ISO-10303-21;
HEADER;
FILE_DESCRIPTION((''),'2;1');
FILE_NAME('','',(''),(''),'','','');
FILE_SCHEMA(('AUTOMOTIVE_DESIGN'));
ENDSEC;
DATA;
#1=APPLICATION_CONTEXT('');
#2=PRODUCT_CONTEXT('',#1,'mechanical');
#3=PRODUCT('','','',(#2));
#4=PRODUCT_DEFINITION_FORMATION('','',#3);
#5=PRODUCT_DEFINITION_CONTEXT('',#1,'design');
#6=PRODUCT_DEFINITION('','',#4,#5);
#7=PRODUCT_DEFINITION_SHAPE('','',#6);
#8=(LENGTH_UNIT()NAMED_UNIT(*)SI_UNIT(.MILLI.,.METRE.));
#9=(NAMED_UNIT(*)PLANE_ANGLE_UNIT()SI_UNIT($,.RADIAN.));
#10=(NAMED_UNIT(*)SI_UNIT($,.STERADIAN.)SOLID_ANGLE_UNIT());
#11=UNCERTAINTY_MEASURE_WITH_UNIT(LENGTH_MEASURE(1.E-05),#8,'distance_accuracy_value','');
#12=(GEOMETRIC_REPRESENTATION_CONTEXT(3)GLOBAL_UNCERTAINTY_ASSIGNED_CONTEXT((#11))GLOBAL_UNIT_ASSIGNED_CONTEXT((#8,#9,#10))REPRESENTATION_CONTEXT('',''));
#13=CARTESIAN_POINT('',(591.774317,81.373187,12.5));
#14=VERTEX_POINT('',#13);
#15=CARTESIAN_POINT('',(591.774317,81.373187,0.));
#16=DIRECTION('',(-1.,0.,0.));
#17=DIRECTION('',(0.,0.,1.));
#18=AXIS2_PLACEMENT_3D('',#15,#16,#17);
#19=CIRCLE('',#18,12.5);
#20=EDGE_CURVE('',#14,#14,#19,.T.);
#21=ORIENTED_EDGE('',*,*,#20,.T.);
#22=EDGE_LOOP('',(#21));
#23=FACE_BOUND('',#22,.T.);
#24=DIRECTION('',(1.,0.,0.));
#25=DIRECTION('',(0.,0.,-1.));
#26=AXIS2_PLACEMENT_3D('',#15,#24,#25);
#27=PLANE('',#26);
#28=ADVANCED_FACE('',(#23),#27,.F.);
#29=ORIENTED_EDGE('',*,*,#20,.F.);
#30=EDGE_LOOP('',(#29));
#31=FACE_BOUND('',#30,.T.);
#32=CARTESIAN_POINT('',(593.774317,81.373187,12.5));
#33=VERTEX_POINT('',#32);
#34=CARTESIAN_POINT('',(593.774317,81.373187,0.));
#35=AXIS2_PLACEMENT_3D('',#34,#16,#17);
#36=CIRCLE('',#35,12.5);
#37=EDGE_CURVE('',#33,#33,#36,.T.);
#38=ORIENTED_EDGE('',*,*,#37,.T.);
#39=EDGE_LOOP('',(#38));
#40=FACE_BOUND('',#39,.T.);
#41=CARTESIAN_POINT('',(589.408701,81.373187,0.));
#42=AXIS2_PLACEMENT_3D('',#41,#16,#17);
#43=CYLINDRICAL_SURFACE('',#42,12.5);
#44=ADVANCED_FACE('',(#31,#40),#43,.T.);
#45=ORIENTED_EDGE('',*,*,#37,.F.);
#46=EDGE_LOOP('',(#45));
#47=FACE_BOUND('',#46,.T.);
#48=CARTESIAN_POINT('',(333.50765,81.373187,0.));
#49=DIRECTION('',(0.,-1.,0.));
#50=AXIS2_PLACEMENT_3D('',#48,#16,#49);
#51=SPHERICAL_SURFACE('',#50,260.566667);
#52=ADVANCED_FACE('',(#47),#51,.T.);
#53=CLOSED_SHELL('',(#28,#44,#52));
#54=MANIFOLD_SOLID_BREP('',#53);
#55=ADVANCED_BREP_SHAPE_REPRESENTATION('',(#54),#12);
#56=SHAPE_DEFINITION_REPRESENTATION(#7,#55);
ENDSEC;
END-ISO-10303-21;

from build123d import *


with BuildPart() as part:
    # 草图1 → 旋转1 (revolve)
    with BuildSketch(Plane.XY, mode=Mode.PRIVATE) as revolve_1_sk:
        with BuildLine():
            Line((591.77431671, 81.37318733), (591.77431671, 93.87318733))
            Line((591.77431671, 93.87318733), (593.77431671, 93.87318733))
            ThreePointArc((593.77431671, 93.87318733), (593.999305913, 87.624987071), (594.07431671, 81.37318733))
            Line((594.07431671, 81.37318733), (591.77431671, 81.37318733))
        make_face()
    revolve(revolve_1_sk.sketch.rotate(Axis((589.408700808, 81.37318733, 0), (1, 0, 0)), 180), axis=Axis((589.408700808, 81.37318733, 0), (1, 0, 0)))  # turned: the seam where the file's is


solid = part.part
